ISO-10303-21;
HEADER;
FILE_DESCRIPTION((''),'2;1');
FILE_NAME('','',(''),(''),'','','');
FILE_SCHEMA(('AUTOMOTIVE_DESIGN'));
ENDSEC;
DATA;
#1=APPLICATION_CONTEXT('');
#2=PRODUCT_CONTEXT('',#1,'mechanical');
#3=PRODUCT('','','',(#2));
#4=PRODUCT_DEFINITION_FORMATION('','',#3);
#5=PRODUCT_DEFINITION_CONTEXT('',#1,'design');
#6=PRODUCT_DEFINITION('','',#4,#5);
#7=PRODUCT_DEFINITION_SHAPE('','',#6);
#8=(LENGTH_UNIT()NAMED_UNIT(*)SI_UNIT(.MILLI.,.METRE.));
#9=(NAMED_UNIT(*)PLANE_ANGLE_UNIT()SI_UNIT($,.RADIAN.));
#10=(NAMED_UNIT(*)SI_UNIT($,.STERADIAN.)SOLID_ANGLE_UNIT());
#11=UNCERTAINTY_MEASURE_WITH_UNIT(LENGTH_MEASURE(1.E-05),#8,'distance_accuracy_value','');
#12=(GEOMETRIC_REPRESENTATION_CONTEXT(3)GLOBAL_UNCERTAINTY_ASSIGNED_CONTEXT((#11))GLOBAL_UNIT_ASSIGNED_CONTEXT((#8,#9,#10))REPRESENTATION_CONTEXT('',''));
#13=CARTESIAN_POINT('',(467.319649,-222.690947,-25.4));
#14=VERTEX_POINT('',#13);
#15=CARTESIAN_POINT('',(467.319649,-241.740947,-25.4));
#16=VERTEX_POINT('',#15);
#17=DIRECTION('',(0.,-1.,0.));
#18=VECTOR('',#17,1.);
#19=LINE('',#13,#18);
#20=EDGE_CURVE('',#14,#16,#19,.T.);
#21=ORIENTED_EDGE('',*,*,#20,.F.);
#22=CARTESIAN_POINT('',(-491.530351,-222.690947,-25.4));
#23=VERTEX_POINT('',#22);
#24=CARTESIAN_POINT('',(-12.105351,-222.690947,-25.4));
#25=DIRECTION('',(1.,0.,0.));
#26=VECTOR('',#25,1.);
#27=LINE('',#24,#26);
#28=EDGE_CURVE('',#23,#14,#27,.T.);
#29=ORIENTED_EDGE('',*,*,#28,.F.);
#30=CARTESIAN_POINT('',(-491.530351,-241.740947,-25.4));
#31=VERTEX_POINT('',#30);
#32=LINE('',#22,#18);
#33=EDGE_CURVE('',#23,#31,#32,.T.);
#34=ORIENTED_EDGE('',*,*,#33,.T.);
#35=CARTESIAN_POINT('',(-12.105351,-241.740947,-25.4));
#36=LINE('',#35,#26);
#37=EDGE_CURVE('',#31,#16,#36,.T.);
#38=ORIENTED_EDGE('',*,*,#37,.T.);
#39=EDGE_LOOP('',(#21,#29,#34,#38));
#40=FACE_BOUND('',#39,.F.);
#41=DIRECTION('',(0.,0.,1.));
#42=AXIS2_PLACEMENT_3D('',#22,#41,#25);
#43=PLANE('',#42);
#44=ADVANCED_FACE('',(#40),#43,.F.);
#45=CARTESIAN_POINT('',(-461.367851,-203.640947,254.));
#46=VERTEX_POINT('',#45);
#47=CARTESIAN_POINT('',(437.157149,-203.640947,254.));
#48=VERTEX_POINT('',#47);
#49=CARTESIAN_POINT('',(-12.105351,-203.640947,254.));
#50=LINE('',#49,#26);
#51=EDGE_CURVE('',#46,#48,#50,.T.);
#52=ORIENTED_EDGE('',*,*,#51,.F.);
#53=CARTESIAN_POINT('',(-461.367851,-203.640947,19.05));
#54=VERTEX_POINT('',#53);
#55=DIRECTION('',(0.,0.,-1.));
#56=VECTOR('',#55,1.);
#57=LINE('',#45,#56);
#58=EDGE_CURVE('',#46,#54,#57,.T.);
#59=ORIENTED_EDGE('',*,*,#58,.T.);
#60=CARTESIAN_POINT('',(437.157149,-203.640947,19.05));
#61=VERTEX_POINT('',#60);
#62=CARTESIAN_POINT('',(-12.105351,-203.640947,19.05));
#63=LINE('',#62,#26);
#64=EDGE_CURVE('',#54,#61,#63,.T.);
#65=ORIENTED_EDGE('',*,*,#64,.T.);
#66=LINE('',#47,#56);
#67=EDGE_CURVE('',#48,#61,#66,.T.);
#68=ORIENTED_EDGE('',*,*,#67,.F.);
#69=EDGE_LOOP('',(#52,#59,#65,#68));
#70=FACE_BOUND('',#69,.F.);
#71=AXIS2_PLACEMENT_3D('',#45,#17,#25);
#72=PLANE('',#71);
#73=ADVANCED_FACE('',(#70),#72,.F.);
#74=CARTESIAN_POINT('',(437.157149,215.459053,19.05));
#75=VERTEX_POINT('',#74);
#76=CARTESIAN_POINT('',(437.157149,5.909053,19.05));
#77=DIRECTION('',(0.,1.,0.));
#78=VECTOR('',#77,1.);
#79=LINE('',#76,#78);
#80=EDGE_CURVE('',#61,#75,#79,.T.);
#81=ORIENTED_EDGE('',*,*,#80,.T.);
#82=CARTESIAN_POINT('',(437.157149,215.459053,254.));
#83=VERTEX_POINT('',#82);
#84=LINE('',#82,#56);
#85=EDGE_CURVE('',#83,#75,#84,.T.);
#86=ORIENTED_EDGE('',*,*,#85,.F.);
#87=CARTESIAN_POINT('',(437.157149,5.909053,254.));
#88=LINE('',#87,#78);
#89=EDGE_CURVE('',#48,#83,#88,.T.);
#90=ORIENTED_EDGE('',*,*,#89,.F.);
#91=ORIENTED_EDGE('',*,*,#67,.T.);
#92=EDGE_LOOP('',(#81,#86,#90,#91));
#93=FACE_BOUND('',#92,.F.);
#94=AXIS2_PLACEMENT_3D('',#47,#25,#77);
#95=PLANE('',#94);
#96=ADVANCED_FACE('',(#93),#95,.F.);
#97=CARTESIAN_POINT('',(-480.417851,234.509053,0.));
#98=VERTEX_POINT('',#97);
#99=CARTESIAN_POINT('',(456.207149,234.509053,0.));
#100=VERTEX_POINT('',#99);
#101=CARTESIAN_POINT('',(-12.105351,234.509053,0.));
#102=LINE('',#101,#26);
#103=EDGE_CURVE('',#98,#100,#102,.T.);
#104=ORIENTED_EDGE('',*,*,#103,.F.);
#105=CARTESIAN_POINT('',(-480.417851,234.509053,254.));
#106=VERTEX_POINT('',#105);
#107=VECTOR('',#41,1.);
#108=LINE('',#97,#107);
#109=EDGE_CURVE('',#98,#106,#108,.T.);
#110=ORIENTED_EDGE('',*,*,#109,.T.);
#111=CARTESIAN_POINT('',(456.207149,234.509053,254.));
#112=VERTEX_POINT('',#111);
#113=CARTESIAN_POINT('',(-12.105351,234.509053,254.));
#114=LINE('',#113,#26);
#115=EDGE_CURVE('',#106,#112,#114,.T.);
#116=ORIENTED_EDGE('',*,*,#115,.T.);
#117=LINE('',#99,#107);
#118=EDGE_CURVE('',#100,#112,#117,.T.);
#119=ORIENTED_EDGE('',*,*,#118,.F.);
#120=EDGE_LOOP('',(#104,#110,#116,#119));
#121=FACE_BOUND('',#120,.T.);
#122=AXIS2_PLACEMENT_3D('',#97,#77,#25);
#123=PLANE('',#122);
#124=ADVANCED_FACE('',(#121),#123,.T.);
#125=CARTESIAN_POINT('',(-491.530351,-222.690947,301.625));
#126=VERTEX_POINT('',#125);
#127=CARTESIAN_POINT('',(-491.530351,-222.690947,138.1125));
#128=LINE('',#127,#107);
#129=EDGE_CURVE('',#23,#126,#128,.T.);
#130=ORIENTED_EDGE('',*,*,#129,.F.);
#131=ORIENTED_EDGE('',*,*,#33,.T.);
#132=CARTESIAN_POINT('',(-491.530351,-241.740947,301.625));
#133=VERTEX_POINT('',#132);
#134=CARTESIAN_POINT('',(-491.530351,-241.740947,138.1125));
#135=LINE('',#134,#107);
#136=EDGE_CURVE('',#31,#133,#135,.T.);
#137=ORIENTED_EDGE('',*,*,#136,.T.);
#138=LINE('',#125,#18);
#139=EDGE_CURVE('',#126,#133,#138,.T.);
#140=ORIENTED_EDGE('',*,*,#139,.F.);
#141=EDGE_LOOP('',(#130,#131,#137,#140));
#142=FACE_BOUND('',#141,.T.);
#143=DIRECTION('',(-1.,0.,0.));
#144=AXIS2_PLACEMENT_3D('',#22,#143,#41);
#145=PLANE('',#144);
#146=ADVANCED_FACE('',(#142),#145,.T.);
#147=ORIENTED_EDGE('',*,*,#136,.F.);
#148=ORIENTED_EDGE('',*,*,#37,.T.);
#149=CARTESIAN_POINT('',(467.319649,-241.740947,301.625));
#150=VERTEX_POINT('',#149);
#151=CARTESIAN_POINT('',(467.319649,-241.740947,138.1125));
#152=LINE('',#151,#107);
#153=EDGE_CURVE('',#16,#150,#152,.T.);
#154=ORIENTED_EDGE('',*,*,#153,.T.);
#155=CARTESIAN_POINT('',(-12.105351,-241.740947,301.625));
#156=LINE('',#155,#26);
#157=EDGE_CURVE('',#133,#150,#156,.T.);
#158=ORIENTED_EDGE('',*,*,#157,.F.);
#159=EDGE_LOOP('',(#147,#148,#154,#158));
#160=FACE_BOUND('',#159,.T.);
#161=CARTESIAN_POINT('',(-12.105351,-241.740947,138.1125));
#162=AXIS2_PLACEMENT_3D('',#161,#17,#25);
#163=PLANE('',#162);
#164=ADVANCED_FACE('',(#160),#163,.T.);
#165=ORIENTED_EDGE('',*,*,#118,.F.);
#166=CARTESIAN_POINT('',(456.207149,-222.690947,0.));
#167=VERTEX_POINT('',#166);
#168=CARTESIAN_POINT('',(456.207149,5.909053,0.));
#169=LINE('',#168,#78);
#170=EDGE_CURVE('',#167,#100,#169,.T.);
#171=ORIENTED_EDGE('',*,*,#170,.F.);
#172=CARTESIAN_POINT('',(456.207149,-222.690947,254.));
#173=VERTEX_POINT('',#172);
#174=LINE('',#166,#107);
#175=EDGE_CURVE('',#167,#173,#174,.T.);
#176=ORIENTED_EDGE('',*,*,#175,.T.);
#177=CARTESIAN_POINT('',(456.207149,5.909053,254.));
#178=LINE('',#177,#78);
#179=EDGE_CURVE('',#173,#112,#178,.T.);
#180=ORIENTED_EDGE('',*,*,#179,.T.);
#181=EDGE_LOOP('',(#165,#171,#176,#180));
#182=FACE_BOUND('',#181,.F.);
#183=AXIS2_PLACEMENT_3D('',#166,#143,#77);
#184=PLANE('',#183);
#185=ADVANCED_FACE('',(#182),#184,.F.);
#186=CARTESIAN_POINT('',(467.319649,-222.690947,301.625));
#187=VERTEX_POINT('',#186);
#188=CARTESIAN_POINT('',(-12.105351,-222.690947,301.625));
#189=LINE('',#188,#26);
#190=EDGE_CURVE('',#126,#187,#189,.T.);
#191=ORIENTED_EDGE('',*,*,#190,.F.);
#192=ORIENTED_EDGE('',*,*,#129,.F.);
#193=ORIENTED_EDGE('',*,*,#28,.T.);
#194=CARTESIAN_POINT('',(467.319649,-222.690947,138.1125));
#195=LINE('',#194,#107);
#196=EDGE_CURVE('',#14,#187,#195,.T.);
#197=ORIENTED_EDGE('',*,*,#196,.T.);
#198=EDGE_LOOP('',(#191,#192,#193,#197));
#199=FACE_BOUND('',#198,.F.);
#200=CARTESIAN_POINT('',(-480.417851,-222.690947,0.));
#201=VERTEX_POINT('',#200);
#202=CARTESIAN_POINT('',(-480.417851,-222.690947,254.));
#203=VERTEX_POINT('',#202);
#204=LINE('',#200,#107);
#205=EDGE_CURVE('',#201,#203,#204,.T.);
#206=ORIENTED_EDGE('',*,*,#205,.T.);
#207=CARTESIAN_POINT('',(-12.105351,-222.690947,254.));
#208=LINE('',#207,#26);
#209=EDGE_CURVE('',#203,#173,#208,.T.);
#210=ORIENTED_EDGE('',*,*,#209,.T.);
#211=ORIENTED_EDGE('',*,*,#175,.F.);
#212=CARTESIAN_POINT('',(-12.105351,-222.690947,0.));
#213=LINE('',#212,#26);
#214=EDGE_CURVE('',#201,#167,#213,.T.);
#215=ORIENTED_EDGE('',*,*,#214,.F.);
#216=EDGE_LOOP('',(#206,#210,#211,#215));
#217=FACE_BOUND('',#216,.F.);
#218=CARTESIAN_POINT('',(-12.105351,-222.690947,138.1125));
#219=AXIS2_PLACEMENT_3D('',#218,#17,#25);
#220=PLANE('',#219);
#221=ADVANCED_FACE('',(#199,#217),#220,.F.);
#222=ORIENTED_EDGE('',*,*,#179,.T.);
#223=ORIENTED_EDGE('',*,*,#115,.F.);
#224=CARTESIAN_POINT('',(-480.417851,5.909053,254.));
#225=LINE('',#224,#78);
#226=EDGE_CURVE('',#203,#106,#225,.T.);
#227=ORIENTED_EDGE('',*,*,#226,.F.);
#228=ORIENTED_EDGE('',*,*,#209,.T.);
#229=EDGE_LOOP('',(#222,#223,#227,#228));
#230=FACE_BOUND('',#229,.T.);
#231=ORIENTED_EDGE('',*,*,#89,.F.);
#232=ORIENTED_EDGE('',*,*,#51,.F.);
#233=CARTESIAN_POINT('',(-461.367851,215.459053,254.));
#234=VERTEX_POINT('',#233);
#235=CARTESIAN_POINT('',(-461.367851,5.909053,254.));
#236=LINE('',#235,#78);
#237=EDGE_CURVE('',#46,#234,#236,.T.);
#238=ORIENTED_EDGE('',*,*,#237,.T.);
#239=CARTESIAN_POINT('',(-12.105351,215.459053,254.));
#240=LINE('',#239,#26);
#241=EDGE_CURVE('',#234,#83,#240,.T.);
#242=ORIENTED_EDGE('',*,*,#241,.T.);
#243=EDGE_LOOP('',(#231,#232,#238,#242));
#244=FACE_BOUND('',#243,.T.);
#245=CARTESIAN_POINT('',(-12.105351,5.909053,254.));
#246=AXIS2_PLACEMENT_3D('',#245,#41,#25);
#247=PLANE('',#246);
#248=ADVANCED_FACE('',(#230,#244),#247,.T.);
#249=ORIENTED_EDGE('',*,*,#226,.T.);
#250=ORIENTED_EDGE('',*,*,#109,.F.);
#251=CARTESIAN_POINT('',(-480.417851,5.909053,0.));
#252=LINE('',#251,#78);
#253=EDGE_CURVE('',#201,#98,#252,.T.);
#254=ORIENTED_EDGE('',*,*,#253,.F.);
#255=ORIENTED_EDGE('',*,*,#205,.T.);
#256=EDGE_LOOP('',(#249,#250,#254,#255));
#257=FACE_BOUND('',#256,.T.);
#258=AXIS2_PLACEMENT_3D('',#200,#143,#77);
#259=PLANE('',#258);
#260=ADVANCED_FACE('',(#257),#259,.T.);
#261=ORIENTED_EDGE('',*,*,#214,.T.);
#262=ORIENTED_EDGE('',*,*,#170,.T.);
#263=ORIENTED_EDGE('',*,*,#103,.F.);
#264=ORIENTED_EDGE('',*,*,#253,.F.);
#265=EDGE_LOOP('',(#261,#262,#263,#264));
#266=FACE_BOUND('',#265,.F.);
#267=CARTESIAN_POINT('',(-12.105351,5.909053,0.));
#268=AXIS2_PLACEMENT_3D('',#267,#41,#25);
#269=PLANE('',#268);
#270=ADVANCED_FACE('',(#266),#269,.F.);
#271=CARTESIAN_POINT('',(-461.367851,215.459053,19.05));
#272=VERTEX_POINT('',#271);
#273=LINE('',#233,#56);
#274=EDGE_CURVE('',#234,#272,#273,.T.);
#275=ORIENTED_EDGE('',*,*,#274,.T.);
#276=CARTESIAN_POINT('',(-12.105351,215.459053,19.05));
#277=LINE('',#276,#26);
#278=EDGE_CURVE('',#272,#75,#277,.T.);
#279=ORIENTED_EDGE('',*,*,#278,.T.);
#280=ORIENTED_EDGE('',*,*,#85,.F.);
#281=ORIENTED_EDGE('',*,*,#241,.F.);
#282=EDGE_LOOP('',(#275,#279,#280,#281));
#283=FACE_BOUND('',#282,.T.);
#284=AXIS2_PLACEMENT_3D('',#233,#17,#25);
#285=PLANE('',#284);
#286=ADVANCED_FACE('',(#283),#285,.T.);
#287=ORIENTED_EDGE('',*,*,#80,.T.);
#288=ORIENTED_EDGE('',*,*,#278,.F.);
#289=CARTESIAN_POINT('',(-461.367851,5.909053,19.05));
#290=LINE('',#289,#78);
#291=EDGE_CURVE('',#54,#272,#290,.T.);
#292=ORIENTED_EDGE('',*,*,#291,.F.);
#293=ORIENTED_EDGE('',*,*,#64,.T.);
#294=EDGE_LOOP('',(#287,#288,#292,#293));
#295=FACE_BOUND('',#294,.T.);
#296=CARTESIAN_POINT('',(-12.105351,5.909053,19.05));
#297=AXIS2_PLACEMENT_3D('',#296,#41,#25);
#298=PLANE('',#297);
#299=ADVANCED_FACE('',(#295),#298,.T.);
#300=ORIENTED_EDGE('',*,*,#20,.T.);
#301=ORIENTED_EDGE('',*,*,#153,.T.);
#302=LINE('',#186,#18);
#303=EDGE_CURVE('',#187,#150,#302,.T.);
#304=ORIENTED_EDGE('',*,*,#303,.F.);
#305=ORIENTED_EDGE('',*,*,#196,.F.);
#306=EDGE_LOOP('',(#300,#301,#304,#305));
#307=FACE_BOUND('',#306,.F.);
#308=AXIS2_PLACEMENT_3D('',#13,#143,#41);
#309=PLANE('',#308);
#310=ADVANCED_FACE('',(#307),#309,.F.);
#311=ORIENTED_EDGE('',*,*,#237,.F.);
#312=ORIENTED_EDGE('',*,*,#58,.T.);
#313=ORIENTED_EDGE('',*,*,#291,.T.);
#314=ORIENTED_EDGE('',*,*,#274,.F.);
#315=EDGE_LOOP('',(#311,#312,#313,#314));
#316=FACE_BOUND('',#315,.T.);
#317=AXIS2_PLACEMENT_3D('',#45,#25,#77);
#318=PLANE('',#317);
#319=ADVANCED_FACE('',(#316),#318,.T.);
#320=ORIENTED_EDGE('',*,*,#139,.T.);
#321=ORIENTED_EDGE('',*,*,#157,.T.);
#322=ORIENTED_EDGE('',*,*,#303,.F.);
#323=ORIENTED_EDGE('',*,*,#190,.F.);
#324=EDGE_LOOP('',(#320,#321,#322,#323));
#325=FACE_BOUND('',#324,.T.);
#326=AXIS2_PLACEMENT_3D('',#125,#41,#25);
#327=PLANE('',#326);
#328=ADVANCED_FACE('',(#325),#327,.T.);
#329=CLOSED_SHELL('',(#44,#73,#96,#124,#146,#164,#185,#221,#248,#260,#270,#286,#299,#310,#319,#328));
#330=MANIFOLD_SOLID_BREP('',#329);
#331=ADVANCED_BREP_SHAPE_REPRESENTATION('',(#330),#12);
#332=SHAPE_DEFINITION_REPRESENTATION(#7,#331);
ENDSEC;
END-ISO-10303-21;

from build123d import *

# Parameters (mm, degrees)
F0_W     = 936.625
F0_H     = 457.2
F1_DEPTH = 254
F2_W     = 898.525
F2_H     = 419.1
F3_DEPTH = 234.95
F4_W     = 958.85
F4_H     = 327.025
F5_DEPTH = 19.05


with BuildPart() as f1:
    # F0 (on Top) → F1 (new body)
    with BuildSketch(Plane.XY):
        with Locations((-12.105351, 5.909053)):
            Rectangle(F0_W, F0_H)
    extrude(amount=F1_DEPTH)

    # F2 (on face) → F3 (cut)
    with BuildSketch(Plane.XY.offset(254)):
        with Locations((-12.105351, 5.909053)):
            Rectangle(F2_W, F2_H)
    extrude(amount=-F3_DEPTH, mode=Mode.SUBTRACT)

    # F4 (on face) → F5 (join)
    with BuildSketch(Plane.XZ.offset(222.690947)):
        with Locations((-12.105351, 138.1125)):
            Rectangle(F4_W, F4_H)
    extrude(amount=F5_DEPTH)


solid = f1.part
